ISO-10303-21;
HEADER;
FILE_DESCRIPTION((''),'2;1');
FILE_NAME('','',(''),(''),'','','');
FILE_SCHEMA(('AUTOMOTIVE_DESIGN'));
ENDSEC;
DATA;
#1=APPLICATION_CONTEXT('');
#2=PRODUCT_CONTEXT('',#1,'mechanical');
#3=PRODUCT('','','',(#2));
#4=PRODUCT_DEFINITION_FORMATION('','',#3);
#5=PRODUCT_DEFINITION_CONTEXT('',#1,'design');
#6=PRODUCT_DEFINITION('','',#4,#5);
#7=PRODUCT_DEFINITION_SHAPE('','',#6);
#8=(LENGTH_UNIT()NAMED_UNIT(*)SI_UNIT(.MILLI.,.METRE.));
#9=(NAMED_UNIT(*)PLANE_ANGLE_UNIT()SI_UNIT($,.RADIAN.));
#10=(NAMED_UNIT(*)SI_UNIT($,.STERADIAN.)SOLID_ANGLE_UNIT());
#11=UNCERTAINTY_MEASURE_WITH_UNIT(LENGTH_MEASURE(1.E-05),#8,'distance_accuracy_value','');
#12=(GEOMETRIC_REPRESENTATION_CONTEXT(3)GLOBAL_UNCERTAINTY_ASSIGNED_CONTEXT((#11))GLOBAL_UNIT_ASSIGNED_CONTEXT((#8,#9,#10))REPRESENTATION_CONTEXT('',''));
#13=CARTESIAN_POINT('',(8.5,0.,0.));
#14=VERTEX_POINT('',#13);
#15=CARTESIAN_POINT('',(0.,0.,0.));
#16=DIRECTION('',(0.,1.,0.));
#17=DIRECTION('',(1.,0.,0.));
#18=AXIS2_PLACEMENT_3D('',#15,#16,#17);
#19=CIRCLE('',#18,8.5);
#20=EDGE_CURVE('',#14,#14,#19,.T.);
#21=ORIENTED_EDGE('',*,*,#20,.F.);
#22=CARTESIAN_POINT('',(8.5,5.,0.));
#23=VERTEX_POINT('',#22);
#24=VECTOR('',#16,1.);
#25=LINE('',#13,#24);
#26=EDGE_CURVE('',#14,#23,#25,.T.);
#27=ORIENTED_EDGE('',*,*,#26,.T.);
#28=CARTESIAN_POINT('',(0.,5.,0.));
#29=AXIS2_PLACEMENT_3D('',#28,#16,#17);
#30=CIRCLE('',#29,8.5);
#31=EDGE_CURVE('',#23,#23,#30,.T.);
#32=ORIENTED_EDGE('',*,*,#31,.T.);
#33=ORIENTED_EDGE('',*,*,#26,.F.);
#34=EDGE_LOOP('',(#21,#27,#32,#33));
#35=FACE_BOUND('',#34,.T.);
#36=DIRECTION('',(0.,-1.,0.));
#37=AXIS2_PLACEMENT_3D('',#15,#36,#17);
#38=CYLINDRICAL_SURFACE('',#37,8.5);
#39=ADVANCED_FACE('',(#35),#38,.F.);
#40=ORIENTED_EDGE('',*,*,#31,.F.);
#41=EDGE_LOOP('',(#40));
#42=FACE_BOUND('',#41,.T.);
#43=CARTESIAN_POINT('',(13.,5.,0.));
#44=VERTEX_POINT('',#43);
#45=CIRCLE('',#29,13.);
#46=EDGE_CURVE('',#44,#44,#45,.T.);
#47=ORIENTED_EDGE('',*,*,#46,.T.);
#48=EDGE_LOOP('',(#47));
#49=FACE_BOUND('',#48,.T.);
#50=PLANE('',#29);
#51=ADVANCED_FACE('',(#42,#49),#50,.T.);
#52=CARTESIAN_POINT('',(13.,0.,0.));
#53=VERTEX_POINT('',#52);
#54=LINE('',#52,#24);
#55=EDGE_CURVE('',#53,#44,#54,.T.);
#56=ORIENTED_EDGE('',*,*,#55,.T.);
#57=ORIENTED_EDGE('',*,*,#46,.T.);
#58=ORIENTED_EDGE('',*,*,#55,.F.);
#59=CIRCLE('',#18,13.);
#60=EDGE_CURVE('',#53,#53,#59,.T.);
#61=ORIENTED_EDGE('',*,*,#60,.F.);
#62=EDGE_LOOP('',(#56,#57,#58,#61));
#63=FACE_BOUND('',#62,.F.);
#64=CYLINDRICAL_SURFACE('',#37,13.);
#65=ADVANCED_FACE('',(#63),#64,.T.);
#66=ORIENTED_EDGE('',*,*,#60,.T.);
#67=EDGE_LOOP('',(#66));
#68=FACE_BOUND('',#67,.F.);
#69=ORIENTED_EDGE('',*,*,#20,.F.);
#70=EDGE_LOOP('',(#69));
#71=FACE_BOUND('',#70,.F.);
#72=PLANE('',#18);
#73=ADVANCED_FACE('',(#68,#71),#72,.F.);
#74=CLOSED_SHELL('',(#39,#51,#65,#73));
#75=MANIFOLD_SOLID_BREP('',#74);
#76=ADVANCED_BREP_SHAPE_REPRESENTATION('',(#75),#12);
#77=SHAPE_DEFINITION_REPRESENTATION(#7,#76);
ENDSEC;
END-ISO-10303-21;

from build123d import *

# Parameters (mm, degrees)
SKETCH_1_R      = 13
SKETCH_1_R_2    = 8.5
EXTRUDE_1_DEPTH = 5


with BuildPart() as part:
    # 草图1 → 凸台-拉伸1 (new body)
    with BuildSketch(Plane(origin=(0, 0, 0), x_dir=(1, 0, 0), z_dir=(0, 1, 0))):
        Circle(SKETCH_1_R)
        Circle(SKETCH_1_R_2, mode=Mode.SUBTRACT)
    extrude(amount=EXTRUDE_1_DEPTH)


solid = part.part
